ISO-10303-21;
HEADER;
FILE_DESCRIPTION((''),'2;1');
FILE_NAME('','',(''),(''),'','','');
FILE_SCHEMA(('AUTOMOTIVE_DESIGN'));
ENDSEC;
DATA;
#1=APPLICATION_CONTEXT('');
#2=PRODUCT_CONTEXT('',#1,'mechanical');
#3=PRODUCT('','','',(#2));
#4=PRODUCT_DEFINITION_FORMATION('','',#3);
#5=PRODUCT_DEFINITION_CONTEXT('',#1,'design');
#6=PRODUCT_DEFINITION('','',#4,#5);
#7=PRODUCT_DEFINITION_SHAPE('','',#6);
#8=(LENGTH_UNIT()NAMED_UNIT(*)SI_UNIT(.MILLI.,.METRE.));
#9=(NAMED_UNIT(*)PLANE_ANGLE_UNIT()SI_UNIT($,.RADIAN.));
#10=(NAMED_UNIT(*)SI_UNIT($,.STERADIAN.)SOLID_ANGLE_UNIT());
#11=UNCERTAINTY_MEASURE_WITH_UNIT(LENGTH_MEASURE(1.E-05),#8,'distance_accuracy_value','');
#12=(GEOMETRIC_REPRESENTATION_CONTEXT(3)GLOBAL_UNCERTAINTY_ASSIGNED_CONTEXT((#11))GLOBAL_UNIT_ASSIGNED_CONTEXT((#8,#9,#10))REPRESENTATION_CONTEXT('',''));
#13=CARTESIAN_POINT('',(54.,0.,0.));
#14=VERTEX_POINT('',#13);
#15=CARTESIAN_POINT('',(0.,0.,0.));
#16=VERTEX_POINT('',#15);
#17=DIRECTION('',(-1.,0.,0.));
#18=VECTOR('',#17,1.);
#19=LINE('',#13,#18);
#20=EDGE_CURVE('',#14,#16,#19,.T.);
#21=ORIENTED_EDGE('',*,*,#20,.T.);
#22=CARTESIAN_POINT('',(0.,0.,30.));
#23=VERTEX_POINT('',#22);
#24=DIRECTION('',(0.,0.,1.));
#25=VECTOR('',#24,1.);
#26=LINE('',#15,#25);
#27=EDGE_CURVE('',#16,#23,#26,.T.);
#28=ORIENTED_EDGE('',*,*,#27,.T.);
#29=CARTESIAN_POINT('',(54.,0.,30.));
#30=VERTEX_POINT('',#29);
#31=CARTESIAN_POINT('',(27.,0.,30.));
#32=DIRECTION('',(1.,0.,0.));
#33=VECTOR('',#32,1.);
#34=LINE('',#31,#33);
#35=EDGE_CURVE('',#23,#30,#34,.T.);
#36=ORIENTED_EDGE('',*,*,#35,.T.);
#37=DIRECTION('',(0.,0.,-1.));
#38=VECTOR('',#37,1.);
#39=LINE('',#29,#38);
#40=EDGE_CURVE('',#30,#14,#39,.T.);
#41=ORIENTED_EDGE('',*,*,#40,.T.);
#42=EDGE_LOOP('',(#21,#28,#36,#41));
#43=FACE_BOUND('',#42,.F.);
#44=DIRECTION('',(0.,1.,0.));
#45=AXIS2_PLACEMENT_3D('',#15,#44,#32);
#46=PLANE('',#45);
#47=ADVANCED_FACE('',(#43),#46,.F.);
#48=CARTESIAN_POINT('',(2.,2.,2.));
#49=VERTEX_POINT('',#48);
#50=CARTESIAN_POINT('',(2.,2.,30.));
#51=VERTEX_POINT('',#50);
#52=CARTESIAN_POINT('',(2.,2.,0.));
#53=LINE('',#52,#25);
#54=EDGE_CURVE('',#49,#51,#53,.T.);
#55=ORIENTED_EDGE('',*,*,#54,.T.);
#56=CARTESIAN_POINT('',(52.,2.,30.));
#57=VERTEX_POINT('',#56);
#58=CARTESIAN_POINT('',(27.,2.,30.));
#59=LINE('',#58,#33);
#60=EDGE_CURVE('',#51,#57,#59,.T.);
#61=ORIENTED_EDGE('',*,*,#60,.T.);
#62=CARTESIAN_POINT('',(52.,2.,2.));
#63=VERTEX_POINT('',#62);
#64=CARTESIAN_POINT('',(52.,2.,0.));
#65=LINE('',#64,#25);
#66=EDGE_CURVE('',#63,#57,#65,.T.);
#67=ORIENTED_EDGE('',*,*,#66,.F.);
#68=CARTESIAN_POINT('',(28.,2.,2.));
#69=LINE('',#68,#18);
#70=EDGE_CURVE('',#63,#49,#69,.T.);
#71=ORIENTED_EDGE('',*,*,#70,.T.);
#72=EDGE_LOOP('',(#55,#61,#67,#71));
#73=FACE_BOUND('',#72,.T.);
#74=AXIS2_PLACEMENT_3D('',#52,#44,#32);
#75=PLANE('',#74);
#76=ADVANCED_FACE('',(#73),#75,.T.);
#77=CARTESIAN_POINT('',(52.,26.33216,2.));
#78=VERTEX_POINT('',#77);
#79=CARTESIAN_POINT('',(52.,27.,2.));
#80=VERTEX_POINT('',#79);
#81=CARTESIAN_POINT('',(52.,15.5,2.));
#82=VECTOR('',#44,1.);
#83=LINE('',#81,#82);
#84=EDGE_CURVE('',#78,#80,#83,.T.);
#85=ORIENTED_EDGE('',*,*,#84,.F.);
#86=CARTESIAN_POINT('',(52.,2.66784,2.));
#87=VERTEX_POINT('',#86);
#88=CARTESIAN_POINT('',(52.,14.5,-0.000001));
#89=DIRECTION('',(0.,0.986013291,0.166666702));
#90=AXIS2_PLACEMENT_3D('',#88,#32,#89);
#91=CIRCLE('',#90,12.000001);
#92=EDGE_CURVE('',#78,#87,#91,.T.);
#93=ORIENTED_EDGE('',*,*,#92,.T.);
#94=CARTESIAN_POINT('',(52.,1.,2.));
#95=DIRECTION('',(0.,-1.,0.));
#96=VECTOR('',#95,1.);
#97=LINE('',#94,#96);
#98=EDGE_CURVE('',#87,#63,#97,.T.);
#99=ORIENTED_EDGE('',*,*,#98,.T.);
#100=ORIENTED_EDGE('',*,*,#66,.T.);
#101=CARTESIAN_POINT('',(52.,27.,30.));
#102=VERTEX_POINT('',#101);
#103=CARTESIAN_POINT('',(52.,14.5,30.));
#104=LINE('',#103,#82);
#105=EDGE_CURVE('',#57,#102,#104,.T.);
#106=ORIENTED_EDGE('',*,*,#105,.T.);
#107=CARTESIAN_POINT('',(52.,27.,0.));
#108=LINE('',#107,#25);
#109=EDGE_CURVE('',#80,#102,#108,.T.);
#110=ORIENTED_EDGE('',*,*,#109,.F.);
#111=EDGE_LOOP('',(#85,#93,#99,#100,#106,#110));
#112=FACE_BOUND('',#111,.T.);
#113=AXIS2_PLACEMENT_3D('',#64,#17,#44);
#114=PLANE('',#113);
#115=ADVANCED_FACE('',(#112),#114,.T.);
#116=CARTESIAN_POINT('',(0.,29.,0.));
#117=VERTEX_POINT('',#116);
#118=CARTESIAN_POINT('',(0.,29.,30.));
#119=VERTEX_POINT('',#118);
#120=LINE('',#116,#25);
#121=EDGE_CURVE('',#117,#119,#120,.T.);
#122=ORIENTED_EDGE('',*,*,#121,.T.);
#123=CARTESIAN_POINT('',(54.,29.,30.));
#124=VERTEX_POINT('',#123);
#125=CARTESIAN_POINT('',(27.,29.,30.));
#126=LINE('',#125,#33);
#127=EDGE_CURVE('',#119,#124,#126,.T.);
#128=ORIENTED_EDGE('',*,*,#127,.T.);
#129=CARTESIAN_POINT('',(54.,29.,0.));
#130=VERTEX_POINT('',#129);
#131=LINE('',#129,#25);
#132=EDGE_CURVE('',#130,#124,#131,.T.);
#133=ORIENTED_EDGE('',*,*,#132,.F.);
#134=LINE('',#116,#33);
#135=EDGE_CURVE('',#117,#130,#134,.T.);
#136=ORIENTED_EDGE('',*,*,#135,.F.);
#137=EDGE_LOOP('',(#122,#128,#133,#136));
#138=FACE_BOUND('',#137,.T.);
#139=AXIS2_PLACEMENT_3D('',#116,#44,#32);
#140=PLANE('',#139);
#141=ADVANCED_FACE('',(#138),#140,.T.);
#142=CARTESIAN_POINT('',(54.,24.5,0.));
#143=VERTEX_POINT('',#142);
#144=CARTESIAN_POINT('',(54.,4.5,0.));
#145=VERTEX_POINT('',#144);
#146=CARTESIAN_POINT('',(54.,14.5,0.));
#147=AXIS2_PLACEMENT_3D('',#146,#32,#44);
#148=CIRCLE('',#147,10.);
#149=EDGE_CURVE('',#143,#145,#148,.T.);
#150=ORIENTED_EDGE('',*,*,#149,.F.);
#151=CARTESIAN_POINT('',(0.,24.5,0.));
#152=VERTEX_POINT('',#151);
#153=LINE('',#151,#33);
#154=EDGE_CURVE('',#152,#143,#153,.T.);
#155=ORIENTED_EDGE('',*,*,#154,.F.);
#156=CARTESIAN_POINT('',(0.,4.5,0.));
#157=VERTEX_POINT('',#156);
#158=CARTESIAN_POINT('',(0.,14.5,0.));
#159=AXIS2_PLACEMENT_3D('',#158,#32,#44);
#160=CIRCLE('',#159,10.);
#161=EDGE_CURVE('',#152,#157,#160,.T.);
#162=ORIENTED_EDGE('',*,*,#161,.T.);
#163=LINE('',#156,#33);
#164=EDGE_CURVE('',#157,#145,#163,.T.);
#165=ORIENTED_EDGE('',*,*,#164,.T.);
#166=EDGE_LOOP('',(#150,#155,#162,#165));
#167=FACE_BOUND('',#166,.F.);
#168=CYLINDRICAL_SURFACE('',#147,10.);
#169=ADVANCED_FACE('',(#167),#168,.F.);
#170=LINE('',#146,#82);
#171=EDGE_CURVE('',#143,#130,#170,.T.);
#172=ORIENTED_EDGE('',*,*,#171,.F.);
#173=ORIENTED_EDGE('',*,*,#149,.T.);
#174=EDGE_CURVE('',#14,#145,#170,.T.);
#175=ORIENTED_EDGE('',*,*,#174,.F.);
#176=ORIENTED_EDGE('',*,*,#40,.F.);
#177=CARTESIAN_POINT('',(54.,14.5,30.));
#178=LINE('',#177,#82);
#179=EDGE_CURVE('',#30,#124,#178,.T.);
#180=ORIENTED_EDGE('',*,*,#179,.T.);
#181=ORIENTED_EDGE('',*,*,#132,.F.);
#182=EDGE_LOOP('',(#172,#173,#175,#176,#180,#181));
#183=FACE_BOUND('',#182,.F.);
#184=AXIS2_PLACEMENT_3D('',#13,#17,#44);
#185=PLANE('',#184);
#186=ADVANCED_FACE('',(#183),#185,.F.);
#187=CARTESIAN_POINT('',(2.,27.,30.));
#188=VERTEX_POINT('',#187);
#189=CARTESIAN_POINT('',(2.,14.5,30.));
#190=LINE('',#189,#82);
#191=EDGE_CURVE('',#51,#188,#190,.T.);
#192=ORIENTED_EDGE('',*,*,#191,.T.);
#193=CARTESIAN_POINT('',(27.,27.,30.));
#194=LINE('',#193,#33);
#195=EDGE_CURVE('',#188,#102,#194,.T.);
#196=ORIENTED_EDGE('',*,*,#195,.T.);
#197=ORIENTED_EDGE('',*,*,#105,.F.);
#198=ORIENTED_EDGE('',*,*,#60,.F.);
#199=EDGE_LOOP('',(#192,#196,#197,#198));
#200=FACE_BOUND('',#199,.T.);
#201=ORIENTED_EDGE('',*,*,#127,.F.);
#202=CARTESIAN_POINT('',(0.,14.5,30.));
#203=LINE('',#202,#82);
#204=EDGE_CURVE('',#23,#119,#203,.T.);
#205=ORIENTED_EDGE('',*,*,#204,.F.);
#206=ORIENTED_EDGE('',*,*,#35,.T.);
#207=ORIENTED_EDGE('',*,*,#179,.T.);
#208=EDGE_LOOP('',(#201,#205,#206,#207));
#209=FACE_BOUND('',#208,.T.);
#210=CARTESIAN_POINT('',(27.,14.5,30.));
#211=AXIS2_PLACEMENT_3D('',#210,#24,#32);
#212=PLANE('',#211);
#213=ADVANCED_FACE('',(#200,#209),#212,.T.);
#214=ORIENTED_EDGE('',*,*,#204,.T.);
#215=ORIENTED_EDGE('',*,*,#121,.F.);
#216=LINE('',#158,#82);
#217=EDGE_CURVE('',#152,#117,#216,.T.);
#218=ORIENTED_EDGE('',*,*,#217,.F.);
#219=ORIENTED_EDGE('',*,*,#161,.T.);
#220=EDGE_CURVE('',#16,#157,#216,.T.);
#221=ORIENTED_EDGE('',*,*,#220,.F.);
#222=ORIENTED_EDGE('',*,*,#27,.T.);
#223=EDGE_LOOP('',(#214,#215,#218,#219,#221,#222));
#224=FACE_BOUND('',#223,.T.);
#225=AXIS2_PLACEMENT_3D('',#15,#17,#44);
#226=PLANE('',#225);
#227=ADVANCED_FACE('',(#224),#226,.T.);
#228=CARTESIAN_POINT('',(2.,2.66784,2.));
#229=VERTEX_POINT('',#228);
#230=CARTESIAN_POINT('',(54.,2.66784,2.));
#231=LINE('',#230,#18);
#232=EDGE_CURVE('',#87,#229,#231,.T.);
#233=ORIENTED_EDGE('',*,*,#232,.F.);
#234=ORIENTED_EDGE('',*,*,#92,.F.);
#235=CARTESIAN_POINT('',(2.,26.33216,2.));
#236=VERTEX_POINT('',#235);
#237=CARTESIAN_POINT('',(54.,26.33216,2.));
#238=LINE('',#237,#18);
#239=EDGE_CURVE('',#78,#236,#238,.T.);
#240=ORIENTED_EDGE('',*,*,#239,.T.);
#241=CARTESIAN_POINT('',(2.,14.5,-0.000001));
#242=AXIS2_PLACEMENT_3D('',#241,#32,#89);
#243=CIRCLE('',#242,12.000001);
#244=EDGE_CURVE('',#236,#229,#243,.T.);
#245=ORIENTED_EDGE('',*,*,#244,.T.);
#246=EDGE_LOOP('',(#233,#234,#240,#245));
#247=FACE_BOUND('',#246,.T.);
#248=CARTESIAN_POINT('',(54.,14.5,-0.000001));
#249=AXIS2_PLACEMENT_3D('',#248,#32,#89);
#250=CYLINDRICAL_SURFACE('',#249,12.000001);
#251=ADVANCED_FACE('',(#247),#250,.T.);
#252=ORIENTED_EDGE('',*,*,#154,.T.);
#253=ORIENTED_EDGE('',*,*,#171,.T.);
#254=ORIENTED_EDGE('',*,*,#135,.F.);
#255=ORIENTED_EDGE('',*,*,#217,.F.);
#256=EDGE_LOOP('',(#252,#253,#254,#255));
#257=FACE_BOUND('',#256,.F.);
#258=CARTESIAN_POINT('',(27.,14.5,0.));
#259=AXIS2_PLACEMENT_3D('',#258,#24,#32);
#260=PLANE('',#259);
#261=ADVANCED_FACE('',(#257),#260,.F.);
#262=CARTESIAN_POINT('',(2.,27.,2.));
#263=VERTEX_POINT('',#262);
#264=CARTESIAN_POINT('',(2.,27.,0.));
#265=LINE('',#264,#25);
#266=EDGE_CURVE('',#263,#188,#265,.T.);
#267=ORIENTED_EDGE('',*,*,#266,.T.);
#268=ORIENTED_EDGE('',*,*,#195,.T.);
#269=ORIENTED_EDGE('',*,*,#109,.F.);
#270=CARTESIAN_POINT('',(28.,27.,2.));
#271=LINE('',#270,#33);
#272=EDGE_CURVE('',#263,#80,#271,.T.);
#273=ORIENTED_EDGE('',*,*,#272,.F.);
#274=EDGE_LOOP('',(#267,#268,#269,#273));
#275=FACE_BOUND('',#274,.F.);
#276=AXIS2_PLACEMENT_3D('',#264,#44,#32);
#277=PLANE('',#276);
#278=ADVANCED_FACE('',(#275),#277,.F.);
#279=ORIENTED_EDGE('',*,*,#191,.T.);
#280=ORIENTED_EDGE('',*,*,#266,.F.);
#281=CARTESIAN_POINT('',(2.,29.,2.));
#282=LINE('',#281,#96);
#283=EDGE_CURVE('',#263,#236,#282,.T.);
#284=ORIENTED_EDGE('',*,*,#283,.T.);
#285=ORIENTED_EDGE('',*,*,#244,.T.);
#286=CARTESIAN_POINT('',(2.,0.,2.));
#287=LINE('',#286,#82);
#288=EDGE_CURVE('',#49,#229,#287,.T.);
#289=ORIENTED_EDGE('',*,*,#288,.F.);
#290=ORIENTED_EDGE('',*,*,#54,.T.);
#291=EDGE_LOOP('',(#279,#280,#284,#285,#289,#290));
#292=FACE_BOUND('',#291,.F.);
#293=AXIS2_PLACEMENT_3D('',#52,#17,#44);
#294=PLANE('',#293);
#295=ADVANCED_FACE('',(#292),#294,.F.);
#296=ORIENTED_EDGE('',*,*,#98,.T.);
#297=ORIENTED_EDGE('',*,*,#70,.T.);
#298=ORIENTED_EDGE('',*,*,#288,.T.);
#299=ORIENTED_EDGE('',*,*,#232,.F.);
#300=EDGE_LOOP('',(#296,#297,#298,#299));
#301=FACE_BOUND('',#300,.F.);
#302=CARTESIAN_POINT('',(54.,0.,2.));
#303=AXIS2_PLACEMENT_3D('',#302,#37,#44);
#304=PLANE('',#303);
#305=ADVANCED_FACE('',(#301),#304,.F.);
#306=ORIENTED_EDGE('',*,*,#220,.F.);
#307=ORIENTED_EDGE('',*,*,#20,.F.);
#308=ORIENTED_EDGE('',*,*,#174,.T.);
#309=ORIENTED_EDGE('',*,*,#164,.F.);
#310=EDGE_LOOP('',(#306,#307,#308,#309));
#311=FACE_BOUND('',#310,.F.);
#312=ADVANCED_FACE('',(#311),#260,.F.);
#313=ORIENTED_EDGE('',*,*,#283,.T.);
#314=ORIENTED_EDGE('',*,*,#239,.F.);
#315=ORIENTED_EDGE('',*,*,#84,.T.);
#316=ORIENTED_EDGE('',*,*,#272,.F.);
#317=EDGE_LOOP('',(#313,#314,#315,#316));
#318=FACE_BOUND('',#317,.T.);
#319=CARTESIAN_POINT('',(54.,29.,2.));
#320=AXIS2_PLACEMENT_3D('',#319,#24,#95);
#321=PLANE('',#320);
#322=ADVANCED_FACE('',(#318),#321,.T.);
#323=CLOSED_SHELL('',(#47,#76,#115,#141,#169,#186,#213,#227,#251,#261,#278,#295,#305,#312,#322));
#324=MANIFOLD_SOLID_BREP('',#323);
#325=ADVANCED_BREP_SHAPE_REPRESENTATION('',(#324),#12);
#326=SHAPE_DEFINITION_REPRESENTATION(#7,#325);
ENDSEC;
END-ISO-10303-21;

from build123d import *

# Parameters (mm, degrees)
SKETCH_W     = 54
SKETCH_H     = 29
SKETCH_W_2   = 50
SKETCH_H_2   = 25
PAD_DEPTH    = 30
POCKET_DEPTH = 54.001
PAD001_DEPTH = 52


with BuildPart() as part:
    # Sketch → Pad (new body)
    with BuildSketch(Plane.XY):
        with Locations((27, 14.5)):
            Rectangle(SKETCH_W, SKETCH_H)
        with Locations((27, 14.5)):
            Rectangle(SKETCH_W_2, SKETCH_H_2, mode=Mode.SUBTRACT)
    extrude(amount=PAD_DEPTH)

    # Sketch001 (on Face2 of Pad) → Pocket (cut, through all)
    with BuildSketch(Plane.YZ.offset(54)):
        with BuildLine():
            ThreePointArc((24.5, 0), (14.5, 10), (4.5, 0))
            Line((4.5, 0), (24.5, 0))
        make_face()
    extrude(amount=-POCKET_DEPTH, mode=Mode.SUBTRACT)

    # Sketch002 (on Face3 of Pocket) → Pad001 (join)
    with BuildSketch(Plane.YZ.offset(54)):
        with BuildLine():
            ThreePointArc((24.5, 0), (14.5, 10), (4.5, 0))
            Line((0, 0), (4.5, 0))
            Line((0, 0), (0, 2))
            Line((0, 2), (2.66784, 2))
            ThreePointArc((26.33216, 2), (14.5, 12), (2.66784, 2))
            Line((29, 2), (26.33216, 2))
            Line((29, 0), (29, 2))
            Line((24.5, 0), (29, 0))
        make_face()
    extrude(amount=-PAD001_DEPTH)


solid = part.part
